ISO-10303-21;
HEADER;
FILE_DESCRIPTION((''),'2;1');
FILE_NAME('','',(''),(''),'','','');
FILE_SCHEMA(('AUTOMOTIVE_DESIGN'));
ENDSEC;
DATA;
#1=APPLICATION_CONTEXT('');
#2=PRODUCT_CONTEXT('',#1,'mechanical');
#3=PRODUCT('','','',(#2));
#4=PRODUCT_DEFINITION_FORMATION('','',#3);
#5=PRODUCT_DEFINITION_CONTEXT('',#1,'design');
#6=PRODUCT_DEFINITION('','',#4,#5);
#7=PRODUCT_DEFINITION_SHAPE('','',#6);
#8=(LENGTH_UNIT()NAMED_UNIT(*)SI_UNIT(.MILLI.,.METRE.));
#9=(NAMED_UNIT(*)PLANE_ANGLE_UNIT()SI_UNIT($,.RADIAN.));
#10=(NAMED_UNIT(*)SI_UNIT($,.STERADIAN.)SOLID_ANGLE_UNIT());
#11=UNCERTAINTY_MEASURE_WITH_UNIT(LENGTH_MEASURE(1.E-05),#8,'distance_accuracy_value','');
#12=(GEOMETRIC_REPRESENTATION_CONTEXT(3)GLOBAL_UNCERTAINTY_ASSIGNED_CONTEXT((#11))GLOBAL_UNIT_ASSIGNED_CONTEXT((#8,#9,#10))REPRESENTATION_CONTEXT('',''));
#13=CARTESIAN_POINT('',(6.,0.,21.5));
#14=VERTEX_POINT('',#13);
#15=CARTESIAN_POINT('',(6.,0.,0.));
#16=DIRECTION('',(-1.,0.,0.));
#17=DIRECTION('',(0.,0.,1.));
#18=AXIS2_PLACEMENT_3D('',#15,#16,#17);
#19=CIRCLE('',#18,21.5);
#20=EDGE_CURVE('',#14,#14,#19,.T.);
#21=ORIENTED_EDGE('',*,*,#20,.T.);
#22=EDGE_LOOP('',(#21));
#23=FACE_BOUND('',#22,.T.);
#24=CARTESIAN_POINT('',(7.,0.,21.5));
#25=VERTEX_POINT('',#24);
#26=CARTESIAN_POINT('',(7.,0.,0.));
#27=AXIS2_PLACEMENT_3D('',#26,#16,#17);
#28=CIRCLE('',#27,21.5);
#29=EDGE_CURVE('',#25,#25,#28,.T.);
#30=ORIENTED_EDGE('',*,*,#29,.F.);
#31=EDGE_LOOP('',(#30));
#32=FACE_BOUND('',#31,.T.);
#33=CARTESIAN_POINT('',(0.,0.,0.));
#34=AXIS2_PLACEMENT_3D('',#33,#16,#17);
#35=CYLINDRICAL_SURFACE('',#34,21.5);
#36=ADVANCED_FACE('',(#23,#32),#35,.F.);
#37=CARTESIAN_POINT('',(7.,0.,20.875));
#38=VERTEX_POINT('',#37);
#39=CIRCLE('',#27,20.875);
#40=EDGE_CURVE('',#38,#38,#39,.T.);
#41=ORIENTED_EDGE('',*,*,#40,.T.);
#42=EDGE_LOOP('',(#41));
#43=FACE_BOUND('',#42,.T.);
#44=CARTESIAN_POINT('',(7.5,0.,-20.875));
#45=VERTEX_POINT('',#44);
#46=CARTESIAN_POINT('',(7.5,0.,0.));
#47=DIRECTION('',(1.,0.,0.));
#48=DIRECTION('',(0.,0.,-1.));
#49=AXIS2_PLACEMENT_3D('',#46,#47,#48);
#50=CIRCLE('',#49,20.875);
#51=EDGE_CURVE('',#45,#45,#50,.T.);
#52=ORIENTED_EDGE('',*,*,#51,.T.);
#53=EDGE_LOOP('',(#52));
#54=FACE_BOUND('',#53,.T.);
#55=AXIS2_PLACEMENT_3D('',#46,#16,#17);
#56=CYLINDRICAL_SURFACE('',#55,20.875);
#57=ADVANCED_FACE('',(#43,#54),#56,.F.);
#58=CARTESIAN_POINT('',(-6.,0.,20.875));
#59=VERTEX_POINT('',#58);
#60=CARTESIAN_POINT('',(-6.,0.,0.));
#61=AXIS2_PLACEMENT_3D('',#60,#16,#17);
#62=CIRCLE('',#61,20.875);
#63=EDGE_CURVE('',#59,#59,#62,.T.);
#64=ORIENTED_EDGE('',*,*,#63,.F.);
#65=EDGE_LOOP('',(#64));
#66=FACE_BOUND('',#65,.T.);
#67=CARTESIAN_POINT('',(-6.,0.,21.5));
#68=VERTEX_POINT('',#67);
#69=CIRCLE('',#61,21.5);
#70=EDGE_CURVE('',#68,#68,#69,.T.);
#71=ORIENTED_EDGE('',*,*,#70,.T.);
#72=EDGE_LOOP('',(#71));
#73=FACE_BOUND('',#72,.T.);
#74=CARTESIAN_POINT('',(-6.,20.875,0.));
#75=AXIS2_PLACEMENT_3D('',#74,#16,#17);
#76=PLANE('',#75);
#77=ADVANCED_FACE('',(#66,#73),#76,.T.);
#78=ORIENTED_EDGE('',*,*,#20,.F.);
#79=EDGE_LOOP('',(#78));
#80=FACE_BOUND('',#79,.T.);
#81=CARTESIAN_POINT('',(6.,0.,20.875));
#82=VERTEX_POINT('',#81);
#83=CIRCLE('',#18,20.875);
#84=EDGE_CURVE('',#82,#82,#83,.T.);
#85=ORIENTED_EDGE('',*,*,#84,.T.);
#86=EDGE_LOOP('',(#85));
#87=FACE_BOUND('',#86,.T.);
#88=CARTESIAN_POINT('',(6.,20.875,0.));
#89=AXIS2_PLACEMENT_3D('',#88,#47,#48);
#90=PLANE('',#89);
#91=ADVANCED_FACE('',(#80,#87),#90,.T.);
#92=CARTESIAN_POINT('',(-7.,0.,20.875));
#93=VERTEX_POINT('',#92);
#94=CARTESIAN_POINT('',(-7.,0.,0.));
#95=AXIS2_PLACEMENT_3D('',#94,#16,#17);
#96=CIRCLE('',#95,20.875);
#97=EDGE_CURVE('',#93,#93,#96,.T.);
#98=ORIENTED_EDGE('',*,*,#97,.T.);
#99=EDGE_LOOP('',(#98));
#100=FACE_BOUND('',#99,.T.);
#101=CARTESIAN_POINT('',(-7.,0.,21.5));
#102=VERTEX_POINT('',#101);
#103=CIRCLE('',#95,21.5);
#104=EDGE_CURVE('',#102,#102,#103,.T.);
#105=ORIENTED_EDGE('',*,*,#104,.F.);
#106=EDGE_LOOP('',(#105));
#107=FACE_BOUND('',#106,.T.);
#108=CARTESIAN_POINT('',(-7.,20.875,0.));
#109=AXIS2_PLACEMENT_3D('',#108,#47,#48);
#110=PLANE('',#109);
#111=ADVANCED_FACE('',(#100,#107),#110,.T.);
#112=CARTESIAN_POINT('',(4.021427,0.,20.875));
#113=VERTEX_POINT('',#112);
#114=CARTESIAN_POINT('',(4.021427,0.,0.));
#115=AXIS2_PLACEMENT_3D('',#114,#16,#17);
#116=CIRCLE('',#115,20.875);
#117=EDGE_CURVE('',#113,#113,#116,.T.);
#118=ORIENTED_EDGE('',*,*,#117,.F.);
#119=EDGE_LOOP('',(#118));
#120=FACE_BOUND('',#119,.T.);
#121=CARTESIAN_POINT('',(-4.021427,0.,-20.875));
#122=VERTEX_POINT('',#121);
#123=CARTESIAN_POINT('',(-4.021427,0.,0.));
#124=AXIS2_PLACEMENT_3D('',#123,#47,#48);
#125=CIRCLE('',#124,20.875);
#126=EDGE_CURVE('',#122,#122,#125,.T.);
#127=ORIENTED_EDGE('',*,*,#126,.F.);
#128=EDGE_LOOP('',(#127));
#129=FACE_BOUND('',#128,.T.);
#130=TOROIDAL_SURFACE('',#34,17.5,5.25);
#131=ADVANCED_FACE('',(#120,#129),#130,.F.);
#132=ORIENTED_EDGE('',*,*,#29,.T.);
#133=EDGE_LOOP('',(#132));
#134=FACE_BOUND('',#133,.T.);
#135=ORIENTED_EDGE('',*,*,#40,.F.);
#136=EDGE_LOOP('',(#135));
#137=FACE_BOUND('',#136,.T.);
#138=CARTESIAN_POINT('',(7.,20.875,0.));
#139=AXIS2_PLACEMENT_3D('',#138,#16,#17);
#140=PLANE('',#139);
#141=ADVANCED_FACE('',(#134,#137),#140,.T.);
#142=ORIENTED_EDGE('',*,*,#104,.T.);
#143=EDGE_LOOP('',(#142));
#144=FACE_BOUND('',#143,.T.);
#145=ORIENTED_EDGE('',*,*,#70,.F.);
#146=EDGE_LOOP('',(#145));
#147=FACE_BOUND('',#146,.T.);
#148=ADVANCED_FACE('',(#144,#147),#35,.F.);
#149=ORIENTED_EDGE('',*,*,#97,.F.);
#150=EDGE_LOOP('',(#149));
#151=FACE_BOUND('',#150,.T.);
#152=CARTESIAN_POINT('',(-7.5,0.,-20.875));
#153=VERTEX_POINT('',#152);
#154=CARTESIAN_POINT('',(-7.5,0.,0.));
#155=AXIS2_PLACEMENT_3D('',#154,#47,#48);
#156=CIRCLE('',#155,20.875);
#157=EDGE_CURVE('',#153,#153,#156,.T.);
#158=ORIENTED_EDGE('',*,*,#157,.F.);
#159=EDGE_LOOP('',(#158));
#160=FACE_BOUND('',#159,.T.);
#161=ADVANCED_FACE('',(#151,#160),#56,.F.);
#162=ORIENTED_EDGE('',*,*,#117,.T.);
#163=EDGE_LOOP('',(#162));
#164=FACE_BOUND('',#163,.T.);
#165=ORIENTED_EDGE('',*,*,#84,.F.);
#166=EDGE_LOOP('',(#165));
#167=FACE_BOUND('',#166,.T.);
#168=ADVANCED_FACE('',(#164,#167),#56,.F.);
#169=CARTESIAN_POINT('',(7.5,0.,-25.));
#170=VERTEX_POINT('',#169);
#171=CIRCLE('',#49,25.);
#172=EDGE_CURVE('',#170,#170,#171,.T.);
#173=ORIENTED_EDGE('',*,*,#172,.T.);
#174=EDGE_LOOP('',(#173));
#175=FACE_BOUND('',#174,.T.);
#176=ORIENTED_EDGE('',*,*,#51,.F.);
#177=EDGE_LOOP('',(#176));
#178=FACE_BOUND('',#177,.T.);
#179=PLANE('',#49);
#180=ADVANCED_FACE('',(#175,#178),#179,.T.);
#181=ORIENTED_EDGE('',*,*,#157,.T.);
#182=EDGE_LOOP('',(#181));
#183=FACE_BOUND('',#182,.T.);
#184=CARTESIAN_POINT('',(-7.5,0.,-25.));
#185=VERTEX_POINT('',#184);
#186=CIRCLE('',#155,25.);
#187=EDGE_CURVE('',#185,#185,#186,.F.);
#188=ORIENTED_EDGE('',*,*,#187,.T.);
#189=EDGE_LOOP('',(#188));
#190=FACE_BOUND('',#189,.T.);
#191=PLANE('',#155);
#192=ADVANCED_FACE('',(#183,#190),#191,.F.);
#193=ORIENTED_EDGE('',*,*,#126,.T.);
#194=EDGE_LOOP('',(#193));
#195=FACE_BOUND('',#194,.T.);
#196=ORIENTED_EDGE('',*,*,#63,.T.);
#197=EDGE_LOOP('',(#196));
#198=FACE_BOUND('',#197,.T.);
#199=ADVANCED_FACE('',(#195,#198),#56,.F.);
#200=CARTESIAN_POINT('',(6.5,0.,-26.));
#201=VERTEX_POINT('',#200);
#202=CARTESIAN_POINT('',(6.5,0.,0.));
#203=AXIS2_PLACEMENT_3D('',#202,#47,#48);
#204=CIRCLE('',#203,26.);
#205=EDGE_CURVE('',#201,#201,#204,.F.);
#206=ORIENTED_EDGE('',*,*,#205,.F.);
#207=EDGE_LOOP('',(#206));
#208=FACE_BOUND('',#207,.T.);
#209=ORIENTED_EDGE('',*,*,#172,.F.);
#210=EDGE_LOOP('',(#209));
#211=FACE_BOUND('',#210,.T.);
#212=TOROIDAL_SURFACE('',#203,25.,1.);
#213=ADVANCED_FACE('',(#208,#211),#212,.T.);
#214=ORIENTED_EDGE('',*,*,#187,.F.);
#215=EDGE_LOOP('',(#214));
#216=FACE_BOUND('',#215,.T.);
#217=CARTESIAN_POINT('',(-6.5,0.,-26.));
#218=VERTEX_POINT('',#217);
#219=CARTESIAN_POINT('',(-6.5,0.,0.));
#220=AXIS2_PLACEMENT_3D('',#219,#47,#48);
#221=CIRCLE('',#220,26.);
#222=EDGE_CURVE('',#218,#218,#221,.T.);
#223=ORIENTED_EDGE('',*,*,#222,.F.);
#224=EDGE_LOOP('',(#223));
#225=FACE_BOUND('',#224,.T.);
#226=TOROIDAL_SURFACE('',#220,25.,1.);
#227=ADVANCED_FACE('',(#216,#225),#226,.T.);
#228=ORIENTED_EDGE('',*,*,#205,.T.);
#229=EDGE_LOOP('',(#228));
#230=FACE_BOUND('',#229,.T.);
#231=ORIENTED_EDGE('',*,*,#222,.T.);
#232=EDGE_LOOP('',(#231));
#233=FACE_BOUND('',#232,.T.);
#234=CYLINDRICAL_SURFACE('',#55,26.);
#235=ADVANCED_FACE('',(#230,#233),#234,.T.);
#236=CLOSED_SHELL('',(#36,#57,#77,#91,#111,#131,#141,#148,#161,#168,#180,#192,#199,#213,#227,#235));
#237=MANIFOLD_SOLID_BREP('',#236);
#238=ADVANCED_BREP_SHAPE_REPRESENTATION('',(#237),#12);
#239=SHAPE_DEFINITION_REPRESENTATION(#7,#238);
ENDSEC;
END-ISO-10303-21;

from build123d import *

# Parameters (mm, degrees)
SKETCH1_R           = 26
SKETCH1_R_2         = 20.875
BOSS_EXTRUDE1_DEPTH = 7.5
SKETCH2_R           = 5.25
SKETCH3_W           = 1
SKETCH3_H           = 0.625
FILLET1_R           = 1


with BuildPart() as part:
    # Sketch1 → Boss-Extrude1 (new, symmetric)
    with BuildSketch(Plane(origin=(0, 0, 0), x_dir=(0, 0, -1), z_dir=(1, 0, 0))):
        Circle(SKETCH1_R)
        Circle(SKETCH1_R_2, mode=Mode.SUBTRACT)
    extrude(amount=BOSS_EXTRUDE1_DEPTH, both=True)

    # Sketch2 → Cut-Revolve1 (revolve, cut)
    with BuildSketch(Plane.XY, mode=Mode.PRIVATE) as cut_revolve1_sk:
        with Locations((0, 17.5)):
            Circle(SKETCH2_R)
    revolve(cut_revolve1_sk.sketch.rotate(Axis((0, 0, 0), (1, 0, 0)), 90), axis=Axis((0, 0, 0), (1, 0, 0)), mode=Mode.SUBTRACT)

    # Sketch3 → Cut-Revolve2 (revolve, cut)
    with BuildSketch(Plane.XY, mode=Mode.PRIVATE) as cut_revolve2_sk:
        with Locations((-6.5, 21.1875)):
            Rectangle(SKETCH3_W, SKETCH3_H)
        with Locations((6.5, 21.1875)):
            Rectangle(SKETCH3_W, SKETCH3_H)
    revolve(cut_revolve2_sk.sketch.rotate(Axis((0, 0, 0), (1, 0, 0)), 90), axis=Axis((0, 0, 0), (1, 0, 0)), mode=Mode.SUBTRACT)

    # Fillet1
    fillet1_edges = [part.edges().sort_by_distance(p)[0] for p in [
        (-7.5, 0, 26),
        (7.5, 0, 26),
    ]]
    fillet(fillet1_edges, radius=FILLET1_R)


solid = part.part
